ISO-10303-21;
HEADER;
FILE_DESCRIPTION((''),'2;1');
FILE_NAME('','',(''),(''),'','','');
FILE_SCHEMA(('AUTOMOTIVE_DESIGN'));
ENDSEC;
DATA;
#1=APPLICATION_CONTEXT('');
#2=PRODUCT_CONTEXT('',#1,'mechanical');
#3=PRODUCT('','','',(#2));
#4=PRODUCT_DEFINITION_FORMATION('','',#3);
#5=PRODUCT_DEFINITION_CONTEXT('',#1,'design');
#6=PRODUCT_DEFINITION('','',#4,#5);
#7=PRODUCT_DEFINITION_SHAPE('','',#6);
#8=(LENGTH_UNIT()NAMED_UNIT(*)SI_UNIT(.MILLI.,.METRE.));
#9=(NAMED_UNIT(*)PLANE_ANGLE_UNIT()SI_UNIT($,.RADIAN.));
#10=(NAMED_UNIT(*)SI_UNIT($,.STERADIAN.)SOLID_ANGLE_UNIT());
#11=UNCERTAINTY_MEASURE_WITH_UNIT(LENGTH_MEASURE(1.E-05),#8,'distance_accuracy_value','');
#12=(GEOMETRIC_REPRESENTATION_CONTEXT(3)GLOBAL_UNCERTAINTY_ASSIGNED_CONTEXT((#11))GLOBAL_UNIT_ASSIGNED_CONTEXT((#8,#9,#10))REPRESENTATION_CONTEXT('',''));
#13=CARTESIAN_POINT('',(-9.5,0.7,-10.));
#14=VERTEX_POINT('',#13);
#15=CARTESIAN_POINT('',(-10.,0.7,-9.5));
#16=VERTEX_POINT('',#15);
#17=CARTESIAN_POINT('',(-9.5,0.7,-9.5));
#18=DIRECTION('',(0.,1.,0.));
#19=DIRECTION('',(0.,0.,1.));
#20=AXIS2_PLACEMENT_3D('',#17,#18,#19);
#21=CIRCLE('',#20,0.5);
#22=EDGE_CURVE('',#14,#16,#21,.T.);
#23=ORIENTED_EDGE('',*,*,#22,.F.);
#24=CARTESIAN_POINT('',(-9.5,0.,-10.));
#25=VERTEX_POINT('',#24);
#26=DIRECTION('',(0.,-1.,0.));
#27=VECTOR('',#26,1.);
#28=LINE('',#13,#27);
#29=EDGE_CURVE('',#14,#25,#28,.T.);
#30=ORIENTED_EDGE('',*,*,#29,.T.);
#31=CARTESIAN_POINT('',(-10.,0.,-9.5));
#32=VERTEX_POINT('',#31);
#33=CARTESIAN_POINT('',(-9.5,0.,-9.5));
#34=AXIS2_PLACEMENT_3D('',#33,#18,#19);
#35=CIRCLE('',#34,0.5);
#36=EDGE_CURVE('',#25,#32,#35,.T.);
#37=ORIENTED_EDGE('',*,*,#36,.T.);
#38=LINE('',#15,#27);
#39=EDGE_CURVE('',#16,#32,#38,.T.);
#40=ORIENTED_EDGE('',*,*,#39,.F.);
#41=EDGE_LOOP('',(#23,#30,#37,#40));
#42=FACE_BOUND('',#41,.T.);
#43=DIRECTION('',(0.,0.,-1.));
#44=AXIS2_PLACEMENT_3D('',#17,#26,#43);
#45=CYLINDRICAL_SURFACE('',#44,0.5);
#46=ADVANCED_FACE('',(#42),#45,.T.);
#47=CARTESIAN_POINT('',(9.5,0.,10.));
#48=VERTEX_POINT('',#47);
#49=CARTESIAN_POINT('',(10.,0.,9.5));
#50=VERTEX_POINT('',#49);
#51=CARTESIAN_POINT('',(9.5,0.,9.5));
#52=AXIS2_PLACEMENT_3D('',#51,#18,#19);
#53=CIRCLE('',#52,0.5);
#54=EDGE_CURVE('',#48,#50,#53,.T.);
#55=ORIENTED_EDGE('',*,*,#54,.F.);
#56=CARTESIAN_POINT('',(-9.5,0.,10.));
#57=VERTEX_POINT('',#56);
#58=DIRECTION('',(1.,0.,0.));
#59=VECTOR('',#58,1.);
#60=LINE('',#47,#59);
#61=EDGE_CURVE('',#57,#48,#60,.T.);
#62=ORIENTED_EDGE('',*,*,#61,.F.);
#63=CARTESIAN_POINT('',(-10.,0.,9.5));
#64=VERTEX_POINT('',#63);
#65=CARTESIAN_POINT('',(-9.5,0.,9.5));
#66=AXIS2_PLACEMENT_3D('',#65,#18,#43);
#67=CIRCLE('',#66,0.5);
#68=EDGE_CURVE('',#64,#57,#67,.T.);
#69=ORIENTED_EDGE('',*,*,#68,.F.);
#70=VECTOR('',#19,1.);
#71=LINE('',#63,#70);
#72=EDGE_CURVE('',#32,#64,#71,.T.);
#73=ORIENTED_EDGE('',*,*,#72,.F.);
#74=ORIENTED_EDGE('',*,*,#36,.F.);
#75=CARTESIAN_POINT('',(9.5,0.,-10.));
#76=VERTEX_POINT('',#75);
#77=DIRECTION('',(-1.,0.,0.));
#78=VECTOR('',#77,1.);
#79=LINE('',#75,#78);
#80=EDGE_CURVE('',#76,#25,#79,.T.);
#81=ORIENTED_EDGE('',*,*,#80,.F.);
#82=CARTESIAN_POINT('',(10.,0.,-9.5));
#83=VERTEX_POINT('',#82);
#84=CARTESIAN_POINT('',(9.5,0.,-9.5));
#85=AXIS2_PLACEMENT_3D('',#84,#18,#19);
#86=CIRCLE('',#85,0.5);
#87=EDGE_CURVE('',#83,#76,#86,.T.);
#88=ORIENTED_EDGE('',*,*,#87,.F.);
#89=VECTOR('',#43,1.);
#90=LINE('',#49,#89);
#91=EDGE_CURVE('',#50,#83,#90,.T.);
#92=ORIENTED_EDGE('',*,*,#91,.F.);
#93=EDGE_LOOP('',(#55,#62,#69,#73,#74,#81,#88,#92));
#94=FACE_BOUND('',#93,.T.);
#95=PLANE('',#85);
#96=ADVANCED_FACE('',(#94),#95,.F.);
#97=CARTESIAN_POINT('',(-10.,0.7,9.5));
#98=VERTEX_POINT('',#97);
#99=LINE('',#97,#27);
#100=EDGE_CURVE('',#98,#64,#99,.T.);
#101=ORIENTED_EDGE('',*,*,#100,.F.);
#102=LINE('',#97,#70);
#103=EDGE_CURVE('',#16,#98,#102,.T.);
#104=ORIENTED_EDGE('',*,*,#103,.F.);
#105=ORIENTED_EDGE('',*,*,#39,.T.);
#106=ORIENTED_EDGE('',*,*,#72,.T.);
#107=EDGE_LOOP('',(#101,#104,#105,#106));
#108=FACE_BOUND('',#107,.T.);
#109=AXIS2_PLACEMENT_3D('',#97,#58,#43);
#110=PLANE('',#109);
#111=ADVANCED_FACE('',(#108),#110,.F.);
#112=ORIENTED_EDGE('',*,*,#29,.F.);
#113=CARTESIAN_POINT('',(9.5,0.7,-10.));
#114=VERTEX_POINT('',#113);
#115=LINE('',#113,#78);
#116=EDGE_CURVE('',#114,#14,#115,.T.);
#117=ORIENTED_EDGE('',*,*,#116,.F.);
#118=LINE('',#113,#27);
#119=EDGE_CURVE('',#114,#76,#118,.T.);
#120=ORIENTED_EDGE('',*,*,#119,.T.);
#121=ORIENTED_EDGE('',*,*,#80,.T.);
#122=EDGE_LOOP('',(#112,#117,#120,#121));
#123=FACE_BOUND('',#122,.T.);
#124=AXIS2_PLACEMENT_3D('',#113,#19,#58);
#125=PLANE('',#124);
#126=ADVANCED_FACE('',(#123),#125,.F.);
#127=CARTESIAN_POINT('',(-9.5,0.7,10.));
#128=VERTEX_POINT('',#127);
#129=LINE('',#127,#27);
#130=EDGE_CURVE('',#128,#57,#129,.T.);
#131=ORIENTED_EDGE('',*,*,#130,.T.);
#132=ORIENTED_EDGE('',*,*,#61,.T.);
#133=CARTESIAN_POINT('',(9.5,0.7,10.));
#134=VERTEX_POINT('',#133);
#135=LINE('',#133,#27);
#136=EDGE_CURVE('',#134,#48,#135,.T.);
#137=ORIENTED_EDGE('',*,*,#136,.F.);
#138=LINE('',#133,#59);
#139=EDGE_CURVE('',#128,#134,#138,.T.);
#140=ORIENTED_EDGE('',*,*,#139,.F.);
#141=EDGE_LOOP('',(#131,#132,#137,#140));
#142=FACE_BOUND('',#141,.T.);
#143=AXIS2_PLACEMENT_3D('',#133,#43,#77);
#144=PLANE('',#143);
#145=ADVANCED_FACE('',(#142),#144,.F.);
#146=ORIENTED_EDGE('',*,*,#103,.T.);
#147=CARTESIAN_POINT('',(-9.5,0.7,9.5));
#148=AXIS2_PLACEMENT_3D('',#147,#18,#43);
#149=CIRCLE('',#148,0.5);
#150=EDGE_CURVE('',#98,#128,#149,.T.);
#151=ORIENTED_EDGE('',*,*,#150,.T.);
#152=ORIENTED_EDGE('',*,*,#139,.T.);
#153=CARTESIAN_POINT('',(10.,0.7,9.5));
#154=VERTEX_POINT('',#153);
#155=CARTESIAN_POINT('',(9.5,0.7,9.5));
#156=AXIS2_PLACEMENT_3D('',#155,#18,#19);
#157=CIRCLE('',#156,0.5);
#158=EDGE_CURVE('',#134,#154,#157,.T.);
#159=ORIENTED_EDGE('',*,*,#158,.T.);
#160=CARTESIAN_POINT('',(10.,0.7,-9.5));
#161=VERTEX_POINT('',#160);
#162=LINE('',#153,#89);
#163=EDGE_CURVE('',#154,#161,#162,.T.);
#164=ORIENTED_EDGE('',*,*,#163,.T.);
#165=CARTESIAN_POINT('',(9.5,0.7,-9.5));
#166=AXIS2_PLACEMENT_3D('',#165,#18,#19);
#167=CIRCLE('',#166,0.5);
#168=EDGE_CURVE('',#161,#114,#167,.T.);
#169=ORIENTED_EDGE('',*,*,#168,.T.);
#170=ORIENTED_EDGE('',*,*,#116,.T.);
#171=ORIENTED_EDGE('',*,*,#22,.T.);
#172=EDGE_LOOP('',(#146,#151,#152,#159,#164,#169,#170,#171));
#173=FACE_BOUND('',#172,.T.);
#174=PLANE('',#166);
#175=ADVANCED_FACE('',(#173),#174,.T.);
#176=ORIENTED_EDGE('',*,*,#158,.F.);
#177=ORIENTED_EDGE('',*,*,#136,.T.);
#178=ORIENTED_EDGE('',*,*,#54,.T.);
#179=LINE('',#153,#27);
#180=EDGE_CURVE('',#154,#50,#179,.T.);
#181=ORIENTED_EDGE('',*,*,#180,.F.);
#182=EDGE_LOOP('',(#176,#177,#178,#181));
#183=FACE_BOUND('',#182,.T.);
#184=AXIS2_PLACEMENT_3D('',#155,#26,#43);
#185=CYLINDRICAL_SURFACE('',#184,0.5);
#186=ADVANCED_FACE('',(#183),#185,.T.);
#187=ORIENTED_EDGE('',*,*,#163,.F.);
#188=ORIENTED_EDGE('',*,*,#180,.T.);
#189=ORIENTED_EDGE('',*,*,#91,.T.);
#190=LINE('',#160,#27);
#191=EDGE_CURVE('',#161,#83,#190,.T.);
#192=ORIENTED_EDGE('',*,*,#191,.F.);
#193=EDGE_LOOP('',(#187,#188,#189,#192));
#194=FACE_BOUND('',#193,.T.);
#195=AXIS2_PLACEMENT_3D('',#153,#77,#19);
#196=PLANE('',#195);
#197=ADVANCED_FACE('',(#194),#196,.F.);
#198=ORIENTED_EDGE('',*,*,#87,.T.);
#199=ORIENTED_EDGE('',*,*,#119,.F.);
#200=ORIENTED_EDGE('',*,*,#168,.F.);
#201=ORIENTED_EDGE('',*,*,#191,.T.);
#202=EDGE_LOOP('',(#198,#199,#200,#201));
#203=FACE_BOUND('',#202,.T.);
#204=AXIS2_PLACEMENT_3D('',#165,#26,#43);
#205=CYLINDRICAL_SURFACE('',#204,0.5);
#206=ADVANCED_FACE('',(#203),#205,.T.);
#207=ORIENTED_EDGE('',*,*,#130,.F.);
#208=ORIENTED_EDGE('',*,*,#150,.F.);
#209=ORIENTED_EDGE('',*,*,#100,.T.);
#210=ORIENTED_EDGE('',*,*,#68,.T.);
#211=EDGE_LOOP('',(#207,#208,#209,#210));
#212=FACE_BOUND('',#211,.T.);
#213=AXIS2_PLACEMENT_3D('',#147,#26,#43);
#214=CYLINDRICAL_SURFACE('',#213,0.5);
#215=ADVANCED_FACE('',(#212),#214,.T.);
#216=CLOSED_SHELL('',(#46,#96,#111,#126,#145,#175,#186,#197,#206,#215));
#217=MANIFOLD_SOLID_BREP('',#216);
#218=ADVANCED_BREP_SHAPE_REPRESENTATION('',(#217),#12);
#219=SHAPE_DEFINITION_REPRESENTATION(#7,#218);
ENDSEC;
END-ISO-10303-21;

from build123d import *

# Parameters (mm, degrees)
BOSS_EXTRUDE1_DEPTH = 0.7


with BuildPart() as part:
    # Sketch1 → Boss-Extrude1 (new body)
    with BuildSketch(Plane(origin=(0, 0, 0), x_dir=(1, 0, 0), z_dir=(0, 1, 0))):
        with BuildLine():
            Line((10, -9.5), (10, 9.5))
            ThreePointArc((10, 9.5), (9.853553391, 9.853553391), (9.5, 10))
            Line((9.5, 10), (-9.5, 10))
            ThreePointArc((-9.5, 10), (-9.853553391, 9.853553391), (-10, 9.5))
            Line((-10, 9.5), (-10, -9.5))
            ThreePointArc((-10, -9.5), (-9.853553391, -9.853553391), (-9.5, -10))
            Line((-9.5, -10), (9.5, -10))
            ThreePointArc((9.5, -10), (9.853553391, -9.853553391), (10, -9.5))
        make_face()
    extrude(amount=BOSS_EXTRUDE1_DEPTH)


solid = part.part
